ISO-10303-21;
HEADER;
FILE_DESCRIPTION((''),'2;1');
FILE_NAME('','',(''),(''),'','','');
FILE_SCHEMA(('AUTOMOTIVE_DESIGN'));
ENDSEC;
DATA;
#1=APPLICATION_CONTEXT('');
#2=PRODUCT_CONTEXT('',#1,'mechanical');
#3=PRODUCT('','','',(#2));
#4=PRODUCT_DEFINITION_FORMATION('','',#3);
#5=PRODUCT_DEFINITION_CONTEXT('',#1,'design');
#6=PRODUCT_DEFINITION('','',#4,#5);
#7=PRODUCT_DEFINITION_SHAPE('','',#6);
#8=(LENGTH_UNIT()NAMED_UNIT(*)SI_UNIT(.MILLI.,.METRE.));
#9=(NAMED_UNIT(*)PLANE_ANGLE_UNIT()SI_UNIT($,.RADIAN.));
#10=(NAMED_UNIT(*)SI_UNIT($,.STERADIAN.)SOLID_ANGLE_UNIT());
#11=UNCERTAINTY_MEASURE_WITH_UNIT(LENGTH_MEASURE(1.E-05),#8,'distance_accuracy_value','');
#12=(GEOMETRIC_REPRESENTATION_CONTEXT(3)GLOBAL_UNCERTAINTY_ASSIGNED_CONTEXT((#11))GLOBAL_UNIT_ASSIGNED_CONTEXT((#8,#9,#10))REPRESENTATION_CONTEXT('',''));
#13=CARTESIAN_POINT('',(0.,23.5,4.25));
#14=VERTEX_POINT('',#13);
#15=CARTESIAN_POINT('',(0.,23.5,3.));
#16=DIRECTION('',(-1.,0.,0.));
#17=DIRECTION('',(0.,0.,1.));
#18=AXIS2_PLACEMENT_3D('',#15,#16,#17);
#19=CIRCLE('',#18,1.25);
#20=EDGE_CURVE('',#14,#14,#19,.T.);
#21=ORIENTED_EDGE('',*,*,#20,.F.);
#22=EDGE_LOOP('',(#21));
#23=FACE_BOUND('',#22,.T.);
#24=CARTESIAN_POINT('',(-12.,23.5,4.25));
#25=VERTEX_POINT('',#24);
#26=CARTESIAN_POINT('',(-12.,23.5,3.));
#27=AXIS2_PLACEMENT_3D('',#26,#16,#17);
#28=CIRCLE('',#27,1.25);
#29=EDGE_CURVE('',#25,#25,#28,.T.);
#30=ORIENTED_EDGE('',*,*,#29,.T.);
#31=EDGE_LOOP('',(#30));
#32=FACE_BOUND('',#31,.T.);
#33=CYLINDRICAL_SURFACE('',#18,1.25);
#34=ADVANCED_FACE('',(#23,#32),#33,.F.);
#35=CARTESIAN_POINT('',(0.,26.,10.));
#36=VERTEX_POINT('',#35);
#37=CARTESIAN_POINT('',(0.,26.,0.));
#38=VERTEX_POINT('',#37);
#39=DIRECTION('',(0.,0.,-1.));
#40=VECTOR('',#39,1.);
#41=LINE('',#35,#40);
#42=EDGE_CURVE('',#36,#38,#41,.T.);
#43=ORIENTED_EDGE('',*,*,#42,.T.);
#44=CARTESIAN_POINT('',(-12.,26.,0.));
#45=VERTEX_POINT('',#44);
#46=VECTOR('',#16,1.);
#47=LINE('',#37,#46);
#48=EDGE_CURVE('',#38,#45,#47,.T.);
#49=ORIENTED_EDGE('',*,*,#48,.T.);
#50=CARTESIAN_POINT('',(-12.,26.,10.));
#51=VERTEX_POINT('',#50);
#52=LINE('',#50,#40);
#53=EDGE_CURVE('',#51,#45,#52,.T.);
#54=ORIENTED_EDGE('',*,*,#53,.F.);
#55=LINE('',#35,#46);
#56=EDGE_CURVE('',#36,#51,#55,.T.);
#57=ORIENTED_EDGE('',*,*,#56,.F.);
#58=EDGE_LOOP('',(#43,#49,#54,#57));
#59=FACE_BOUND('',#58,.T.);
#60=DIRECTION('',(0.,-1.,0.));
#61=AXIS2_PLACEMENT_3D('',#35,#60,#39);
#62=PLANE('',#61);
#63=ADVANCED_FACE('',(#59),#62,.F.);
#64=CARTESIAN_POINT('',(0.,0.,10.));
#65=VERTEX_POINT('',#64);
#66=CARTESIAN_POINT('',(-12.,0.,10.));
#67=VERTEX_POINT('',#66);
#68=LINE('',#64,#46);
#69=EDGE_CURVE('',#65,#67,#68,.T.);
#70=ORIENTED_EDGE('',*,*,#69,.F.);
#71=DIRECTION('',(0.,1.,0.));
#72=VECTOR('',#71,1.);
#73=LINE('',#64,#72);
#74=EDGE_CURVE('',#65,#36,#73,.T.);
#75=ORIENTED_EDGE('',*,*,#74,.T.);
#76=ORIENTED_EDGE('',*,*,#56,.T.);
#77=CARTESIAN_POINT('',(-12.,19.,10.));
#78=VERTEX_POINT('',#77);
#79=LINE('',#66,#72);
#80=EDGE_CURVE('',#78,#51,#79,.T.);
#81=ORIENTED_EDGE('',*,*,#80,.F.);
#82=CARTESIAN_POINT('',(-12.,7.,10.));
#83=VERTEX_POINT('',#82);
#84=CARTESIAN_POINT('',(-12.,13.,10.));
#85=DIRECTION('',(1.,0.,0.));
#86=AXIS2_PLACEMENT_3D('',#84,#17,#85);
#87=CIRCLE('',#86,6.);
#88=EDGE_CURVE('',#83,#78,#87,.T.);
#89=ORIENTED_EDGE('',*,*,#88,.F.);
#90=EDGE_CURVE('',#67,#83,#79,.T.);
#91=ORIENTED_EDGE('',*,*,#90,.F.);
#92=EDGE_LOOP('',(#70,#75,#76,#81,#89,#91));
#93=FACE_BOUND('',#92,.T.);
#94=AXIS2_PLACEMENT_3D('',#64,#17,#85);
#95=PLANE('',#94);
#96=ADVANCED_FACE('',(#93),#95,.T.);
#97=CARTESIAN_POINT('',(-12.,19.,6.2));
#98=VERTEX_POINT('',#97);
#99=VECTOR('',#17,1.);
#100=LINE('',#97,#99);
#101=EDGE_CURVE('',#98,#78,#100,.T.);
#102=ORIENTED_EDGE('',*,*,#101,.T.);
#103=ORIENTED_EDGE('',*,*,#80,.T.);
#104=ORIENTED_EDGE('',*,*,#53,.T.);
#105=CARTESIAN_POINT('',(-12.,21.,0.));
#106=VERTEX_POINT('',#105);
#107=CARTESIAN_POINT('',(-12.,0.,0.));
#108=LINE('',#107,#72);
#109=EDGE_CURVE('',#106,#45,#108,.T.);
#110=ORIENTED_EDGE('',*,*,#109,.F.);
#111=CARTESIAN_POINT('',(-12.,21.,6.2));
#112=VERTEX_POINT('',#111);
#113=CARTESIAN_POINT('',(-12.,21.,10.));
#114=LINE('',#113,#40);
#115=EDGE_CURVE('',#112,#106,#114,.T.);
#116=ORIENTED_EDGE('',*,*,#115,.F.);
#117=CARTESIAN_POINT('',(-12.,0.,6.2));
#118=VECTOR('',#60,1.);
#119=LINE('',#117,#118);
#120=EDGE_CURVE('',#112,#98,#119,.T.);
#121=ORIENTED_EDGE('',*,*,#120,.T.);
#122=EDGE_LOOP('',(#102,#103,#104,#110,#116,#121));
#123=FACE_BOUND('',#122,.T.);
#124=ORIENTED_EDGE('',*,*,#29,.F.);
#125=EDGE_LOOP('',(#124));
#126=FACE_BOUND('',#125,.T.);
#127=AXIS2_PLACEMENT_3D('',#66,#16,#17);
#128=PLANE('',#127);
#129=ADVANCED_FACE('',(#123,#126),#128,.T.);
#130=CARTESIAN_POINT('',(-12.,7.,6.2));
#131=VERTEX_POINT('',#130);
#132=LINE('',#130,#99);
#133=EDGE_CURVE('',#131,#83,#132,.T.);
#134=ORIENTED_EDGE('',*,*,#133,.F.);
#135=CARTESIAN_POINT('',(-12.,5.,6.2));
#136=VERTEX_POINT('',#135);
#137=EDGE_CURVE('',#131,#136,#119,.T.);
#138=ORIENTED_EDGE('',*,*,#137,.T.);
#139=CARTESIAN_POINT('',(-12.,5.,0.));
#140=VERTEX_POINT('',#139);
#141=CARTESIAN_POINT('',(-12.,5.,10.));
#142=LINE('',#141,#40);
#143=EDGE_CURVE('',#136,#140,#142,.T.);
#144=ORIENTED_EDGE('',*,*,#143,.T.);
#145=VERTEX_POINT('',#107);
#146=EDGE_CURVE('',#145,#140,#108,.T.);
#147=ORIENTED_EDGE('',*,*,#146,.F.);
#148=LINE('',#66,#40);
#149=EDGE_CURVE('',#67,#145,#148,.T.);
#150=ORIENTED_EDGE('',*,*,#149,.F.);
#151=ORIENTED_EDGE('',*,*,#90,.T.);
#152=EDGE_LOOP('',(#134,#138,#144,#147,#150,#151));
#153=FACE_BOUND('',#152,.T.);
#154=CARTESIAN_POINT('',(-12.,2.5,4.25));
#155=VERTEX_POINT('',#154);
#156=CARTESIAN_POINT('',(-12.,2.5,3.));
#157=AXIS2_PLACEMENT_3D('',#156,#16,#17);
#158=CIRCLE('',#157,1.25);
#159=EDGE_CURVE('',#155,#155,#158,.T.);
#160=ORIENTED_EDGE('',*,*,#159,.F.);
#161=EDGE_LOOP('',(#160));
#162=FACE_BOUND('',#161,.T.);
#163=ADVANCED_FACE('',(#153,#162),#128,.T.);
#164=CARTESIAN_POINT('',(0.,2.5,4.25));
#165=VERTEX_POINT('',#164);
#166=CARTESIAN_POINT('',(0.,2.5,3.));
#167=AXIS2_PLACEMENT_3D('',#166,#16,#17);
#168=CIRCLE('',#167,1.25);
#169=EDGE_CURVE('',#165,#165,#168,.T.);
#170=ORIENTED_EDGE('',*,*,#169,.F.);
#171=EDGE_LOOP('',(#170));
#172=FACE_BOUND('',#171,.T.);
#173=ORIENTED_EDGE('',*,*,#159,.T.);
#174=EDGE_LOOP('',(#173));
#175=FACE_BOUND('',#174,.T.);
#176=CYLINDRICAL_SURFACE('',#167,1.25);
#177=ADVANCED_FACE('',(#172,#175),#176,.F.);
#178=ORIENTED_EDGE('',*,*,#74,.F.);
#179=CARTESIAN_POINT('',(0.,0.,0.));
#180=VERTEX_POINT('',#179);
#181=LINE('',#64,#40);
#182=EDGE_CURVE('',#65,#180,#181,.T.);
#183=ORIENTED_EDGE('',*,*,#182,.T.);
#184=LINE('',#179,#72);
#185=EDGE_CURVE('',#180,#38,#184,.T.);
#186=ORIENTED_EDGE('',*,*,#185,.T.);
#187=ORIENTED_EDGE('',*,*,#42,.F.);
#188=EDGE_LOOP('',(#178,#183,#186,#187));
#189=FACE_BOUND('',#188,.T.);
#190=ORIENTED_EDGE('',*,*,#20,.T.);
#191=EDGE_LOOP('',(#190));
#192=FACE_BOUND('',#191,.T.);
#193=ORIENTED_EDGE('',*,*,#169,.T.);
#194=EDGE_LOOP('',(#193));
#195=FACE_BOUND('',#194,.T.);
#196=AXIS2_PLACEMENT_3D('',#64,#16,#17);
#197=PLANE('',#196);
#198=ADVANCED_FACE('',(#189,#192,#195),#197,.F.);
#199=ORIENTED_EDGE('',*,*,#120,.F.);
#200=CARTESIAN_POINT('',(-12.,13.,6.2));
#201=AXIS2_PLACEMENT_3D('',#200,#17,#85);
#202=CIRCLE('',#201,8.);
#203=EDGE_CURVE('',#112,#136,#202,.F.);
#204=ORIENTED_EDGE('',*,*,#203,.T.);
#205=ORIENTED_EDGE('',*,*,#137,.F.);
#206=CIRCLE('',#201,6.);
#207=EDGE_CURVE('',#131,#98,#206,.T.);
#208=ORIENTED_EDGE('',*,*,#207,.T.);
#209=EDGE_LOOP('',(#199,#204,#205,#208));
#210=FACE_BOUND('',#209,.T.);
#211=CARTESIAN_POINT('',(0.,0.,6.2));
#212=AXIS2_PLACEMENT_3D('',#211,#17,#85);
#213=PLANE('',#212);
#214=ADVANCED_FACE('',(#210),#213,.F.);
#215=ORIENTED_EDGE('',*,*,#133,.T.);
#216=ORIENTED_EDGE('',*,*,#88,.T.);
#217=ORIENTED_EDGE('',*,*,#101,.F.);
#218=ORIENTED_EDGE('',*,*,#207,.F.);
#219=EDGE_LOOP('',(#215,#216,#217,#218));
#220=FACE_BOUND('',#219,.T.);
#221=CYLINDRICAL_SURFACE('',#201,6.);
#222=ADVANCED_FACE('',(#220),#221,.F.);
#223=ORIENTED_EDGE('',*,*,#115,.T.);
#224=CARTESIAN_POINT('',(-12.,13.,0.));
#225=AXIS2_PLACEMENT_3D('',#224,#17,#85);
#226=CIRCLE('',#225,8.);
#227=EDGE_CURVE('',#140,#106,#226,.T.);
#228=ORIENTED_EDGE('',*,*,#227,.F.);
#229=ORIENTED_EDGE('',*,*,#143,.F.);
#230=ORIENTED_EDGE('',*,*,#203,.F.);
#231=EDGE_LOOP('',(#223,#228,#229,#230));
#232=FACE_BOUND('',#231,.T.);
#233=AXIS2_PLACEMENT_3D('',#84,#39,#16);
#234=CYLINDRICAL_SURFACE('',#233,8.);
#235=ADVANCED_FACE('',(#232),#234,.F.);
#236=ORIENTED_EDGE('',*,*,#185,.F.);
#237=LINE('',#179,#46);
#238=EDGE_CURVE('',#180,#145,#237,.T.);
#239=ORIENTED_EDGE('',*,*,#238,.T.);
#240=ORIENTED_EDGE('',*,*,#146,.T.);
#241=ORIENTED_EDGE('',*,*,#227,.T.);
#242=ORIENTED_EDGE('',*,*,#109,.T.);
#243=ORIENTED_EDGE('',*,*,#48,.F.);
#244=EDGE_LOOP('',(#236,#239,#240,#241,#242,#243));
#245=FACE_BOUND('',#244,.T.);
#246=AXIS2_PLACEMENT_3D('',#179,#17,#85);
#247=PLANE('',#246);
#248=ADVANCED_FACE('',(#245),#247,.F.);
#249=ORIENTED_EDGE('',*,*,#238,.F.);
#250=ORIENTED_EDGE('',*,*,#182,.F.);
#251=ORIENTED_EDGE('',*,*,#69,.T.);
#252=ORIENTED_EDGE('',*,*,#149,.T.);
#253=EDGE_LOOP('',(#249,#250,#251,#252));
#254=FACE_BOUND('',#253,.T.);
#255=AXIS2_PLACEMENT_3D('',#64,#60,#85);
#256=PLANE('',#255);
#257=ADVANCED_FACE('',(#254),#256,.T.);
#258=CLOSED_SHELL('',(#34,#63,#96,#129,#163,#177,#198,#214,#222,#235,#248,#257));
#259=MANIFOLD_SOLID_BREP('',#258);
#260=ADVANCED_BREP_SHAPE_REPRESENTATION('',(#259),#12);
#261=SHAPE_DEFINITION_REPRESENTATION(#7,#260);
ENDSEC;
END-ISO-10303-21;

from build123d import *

# Parameters (mm, degrees)
BOSS_EXTRU_1_DEPTH      = 10
BOSS_EXTRU_2_DEPTH      = 3.8
ESQUISSE3_R             = 1.25
ENL_V_MAT_EXTRU_1_DEPTH = 13


with BuildPart() as part:
    # Esquisse1 → Boss.-Extru.1 (new body)
    with BuildSketch(Plane.XY):
        with BuildLine():
            Line((-12, 0), (0, 0))
            Line((0, 0), (0, 26))
            Line((0, 26), (-12, 26))
            Line((-12, 26), (-12, 21))
            ThreePointArc((-12, 21), (-6.343145751, 18.656854249), (-4, 13))
            ThreePointArc((-4, 13), (-6.343145751, 7.343145751), (-12, 5))
            Line((-12, 5), (-12, 0))
        make_face()
    extrude(amount=BOSS_EXTRU_1_DEPTH)

    # Esquisse2 → Boss.-Extru.2 (add)
    with BuildSketch(Plane.XY.offset(10)):
        with BuildLine():
            ThreePointArc((-12, 5), (-4, 13), (-12, 21))
            Line((-12, 21), (-12, 19))
            ThreePointArc((-12, 19), (-7.757359313, 17.242640687), (-6, 13))
            ThreePointArc((-6, 13), (-7.757359313, 8.757359313), (-12, 7))
            Line((-12, 7), (-12, 5))
        make_face()
    extrude(amount=-BOSS_EXTRU_2_DEPTH)

    # Esquisse3 → Enlèv. mat.-Extru.1 (cut, through all)
    with BuildSketch(Plane.ZY.offset(12)):
        with Locations((3, 23.5)):
            Circle(ESQUISSE3_R)
        with Locations((3, 2.5)):
            Circle(ESQUISSE3_R)
    extrude(amount=-ENL_V_MAT_EXTRU_1_DEPTH, mode=Mode.SUBTRACT)


solid = part.part
